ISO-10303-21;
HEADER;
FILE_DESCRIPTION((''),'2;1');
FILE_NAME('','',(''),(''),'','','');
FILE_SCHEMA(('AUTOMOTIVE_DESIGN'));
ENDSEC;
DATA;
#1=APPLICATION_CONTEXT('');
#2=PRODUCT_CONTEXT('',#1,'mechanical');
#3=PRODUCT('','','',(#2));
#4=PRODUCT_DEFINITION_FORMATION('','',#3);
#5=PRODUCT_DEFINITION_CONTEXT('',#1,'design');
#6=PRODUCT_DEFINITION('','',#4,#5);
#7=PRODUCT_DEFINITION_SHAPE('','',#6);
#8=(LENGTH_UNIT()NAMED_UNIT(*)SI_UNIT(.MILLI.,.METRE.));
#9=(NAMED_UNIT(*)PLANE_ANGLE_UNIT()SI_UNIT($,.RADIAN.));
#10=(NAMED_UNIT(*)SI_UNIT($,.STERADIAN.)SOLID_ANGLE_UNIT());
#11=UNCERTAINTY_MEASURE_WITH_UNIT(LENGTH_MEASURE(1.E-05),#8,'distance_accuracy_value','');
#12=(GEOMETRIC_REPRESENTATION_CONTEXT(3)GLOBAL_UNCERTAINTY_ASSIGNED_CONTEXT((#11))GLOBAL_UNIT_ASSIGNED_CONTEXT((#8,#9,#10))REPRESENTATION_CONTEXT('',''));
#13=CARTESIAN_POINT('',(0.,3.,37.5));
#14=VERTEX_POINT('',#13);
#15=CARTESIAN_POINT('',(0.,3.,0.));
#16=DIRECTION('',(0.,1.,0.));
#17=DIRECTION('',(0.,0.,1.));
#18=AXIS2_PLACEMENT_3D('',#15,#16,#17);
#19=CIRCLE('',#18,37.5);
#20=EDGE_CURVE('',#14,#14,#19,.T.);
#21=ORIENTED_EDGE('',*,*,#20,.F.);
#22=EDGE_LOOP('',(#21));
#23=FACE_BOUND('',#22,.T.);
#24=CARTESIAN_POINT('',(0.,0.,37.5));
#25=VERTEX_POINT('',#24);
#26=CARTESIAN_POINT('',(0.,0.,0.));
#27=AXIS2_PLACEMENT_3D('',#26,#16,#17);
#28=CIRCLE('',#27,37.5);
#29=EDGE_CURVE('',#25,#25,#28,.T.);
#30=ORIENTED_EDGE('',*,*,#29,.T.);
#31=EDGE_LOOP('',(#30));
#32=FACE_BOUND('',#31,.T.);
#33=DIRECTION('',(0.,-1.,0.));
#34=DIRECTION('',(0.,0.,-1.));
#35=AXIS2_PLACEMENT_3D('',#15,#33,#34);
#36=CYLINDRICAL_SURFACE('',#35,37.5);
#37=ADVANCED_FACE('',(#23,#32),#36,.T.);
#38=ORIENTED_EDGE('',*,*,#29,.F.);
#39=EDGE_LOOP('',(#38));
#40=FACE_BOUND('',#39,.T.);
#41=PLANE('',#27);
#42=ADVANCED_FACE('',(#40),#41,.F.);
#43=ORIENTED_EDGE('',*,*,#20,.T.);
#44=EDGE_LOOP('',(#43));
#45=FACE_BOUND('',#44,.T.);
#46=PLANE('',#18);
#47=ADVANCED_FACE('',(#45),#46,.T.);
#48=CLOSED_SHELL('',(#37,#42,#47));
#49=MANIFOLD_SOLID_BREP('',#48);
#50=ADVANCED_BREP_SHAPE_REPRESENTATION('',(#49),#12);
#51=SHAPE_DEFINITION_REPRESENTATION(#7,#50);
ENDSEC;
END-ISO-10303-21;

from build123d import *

# Parameters (mm, degrees)
SKETCH1_R           = 37.5
BOSS_EXTRUDE1_DEPTH = 3


with BuildPart() as part:
    # Sketch1 → Boss-Extrude1 (new body)
    with BuildSketch(Plane(origin=(0, 0, 0), x_dir=(1, 0, 0), z_dir=(0, 1, 0))):
        with Locations(Location((0, 0, 0), (0, 0, 270))):
            Circle(SKETCH1_R)
    extrude(amount=BOSS_EXTRUDE1_DEPTH)


solid = part.part
